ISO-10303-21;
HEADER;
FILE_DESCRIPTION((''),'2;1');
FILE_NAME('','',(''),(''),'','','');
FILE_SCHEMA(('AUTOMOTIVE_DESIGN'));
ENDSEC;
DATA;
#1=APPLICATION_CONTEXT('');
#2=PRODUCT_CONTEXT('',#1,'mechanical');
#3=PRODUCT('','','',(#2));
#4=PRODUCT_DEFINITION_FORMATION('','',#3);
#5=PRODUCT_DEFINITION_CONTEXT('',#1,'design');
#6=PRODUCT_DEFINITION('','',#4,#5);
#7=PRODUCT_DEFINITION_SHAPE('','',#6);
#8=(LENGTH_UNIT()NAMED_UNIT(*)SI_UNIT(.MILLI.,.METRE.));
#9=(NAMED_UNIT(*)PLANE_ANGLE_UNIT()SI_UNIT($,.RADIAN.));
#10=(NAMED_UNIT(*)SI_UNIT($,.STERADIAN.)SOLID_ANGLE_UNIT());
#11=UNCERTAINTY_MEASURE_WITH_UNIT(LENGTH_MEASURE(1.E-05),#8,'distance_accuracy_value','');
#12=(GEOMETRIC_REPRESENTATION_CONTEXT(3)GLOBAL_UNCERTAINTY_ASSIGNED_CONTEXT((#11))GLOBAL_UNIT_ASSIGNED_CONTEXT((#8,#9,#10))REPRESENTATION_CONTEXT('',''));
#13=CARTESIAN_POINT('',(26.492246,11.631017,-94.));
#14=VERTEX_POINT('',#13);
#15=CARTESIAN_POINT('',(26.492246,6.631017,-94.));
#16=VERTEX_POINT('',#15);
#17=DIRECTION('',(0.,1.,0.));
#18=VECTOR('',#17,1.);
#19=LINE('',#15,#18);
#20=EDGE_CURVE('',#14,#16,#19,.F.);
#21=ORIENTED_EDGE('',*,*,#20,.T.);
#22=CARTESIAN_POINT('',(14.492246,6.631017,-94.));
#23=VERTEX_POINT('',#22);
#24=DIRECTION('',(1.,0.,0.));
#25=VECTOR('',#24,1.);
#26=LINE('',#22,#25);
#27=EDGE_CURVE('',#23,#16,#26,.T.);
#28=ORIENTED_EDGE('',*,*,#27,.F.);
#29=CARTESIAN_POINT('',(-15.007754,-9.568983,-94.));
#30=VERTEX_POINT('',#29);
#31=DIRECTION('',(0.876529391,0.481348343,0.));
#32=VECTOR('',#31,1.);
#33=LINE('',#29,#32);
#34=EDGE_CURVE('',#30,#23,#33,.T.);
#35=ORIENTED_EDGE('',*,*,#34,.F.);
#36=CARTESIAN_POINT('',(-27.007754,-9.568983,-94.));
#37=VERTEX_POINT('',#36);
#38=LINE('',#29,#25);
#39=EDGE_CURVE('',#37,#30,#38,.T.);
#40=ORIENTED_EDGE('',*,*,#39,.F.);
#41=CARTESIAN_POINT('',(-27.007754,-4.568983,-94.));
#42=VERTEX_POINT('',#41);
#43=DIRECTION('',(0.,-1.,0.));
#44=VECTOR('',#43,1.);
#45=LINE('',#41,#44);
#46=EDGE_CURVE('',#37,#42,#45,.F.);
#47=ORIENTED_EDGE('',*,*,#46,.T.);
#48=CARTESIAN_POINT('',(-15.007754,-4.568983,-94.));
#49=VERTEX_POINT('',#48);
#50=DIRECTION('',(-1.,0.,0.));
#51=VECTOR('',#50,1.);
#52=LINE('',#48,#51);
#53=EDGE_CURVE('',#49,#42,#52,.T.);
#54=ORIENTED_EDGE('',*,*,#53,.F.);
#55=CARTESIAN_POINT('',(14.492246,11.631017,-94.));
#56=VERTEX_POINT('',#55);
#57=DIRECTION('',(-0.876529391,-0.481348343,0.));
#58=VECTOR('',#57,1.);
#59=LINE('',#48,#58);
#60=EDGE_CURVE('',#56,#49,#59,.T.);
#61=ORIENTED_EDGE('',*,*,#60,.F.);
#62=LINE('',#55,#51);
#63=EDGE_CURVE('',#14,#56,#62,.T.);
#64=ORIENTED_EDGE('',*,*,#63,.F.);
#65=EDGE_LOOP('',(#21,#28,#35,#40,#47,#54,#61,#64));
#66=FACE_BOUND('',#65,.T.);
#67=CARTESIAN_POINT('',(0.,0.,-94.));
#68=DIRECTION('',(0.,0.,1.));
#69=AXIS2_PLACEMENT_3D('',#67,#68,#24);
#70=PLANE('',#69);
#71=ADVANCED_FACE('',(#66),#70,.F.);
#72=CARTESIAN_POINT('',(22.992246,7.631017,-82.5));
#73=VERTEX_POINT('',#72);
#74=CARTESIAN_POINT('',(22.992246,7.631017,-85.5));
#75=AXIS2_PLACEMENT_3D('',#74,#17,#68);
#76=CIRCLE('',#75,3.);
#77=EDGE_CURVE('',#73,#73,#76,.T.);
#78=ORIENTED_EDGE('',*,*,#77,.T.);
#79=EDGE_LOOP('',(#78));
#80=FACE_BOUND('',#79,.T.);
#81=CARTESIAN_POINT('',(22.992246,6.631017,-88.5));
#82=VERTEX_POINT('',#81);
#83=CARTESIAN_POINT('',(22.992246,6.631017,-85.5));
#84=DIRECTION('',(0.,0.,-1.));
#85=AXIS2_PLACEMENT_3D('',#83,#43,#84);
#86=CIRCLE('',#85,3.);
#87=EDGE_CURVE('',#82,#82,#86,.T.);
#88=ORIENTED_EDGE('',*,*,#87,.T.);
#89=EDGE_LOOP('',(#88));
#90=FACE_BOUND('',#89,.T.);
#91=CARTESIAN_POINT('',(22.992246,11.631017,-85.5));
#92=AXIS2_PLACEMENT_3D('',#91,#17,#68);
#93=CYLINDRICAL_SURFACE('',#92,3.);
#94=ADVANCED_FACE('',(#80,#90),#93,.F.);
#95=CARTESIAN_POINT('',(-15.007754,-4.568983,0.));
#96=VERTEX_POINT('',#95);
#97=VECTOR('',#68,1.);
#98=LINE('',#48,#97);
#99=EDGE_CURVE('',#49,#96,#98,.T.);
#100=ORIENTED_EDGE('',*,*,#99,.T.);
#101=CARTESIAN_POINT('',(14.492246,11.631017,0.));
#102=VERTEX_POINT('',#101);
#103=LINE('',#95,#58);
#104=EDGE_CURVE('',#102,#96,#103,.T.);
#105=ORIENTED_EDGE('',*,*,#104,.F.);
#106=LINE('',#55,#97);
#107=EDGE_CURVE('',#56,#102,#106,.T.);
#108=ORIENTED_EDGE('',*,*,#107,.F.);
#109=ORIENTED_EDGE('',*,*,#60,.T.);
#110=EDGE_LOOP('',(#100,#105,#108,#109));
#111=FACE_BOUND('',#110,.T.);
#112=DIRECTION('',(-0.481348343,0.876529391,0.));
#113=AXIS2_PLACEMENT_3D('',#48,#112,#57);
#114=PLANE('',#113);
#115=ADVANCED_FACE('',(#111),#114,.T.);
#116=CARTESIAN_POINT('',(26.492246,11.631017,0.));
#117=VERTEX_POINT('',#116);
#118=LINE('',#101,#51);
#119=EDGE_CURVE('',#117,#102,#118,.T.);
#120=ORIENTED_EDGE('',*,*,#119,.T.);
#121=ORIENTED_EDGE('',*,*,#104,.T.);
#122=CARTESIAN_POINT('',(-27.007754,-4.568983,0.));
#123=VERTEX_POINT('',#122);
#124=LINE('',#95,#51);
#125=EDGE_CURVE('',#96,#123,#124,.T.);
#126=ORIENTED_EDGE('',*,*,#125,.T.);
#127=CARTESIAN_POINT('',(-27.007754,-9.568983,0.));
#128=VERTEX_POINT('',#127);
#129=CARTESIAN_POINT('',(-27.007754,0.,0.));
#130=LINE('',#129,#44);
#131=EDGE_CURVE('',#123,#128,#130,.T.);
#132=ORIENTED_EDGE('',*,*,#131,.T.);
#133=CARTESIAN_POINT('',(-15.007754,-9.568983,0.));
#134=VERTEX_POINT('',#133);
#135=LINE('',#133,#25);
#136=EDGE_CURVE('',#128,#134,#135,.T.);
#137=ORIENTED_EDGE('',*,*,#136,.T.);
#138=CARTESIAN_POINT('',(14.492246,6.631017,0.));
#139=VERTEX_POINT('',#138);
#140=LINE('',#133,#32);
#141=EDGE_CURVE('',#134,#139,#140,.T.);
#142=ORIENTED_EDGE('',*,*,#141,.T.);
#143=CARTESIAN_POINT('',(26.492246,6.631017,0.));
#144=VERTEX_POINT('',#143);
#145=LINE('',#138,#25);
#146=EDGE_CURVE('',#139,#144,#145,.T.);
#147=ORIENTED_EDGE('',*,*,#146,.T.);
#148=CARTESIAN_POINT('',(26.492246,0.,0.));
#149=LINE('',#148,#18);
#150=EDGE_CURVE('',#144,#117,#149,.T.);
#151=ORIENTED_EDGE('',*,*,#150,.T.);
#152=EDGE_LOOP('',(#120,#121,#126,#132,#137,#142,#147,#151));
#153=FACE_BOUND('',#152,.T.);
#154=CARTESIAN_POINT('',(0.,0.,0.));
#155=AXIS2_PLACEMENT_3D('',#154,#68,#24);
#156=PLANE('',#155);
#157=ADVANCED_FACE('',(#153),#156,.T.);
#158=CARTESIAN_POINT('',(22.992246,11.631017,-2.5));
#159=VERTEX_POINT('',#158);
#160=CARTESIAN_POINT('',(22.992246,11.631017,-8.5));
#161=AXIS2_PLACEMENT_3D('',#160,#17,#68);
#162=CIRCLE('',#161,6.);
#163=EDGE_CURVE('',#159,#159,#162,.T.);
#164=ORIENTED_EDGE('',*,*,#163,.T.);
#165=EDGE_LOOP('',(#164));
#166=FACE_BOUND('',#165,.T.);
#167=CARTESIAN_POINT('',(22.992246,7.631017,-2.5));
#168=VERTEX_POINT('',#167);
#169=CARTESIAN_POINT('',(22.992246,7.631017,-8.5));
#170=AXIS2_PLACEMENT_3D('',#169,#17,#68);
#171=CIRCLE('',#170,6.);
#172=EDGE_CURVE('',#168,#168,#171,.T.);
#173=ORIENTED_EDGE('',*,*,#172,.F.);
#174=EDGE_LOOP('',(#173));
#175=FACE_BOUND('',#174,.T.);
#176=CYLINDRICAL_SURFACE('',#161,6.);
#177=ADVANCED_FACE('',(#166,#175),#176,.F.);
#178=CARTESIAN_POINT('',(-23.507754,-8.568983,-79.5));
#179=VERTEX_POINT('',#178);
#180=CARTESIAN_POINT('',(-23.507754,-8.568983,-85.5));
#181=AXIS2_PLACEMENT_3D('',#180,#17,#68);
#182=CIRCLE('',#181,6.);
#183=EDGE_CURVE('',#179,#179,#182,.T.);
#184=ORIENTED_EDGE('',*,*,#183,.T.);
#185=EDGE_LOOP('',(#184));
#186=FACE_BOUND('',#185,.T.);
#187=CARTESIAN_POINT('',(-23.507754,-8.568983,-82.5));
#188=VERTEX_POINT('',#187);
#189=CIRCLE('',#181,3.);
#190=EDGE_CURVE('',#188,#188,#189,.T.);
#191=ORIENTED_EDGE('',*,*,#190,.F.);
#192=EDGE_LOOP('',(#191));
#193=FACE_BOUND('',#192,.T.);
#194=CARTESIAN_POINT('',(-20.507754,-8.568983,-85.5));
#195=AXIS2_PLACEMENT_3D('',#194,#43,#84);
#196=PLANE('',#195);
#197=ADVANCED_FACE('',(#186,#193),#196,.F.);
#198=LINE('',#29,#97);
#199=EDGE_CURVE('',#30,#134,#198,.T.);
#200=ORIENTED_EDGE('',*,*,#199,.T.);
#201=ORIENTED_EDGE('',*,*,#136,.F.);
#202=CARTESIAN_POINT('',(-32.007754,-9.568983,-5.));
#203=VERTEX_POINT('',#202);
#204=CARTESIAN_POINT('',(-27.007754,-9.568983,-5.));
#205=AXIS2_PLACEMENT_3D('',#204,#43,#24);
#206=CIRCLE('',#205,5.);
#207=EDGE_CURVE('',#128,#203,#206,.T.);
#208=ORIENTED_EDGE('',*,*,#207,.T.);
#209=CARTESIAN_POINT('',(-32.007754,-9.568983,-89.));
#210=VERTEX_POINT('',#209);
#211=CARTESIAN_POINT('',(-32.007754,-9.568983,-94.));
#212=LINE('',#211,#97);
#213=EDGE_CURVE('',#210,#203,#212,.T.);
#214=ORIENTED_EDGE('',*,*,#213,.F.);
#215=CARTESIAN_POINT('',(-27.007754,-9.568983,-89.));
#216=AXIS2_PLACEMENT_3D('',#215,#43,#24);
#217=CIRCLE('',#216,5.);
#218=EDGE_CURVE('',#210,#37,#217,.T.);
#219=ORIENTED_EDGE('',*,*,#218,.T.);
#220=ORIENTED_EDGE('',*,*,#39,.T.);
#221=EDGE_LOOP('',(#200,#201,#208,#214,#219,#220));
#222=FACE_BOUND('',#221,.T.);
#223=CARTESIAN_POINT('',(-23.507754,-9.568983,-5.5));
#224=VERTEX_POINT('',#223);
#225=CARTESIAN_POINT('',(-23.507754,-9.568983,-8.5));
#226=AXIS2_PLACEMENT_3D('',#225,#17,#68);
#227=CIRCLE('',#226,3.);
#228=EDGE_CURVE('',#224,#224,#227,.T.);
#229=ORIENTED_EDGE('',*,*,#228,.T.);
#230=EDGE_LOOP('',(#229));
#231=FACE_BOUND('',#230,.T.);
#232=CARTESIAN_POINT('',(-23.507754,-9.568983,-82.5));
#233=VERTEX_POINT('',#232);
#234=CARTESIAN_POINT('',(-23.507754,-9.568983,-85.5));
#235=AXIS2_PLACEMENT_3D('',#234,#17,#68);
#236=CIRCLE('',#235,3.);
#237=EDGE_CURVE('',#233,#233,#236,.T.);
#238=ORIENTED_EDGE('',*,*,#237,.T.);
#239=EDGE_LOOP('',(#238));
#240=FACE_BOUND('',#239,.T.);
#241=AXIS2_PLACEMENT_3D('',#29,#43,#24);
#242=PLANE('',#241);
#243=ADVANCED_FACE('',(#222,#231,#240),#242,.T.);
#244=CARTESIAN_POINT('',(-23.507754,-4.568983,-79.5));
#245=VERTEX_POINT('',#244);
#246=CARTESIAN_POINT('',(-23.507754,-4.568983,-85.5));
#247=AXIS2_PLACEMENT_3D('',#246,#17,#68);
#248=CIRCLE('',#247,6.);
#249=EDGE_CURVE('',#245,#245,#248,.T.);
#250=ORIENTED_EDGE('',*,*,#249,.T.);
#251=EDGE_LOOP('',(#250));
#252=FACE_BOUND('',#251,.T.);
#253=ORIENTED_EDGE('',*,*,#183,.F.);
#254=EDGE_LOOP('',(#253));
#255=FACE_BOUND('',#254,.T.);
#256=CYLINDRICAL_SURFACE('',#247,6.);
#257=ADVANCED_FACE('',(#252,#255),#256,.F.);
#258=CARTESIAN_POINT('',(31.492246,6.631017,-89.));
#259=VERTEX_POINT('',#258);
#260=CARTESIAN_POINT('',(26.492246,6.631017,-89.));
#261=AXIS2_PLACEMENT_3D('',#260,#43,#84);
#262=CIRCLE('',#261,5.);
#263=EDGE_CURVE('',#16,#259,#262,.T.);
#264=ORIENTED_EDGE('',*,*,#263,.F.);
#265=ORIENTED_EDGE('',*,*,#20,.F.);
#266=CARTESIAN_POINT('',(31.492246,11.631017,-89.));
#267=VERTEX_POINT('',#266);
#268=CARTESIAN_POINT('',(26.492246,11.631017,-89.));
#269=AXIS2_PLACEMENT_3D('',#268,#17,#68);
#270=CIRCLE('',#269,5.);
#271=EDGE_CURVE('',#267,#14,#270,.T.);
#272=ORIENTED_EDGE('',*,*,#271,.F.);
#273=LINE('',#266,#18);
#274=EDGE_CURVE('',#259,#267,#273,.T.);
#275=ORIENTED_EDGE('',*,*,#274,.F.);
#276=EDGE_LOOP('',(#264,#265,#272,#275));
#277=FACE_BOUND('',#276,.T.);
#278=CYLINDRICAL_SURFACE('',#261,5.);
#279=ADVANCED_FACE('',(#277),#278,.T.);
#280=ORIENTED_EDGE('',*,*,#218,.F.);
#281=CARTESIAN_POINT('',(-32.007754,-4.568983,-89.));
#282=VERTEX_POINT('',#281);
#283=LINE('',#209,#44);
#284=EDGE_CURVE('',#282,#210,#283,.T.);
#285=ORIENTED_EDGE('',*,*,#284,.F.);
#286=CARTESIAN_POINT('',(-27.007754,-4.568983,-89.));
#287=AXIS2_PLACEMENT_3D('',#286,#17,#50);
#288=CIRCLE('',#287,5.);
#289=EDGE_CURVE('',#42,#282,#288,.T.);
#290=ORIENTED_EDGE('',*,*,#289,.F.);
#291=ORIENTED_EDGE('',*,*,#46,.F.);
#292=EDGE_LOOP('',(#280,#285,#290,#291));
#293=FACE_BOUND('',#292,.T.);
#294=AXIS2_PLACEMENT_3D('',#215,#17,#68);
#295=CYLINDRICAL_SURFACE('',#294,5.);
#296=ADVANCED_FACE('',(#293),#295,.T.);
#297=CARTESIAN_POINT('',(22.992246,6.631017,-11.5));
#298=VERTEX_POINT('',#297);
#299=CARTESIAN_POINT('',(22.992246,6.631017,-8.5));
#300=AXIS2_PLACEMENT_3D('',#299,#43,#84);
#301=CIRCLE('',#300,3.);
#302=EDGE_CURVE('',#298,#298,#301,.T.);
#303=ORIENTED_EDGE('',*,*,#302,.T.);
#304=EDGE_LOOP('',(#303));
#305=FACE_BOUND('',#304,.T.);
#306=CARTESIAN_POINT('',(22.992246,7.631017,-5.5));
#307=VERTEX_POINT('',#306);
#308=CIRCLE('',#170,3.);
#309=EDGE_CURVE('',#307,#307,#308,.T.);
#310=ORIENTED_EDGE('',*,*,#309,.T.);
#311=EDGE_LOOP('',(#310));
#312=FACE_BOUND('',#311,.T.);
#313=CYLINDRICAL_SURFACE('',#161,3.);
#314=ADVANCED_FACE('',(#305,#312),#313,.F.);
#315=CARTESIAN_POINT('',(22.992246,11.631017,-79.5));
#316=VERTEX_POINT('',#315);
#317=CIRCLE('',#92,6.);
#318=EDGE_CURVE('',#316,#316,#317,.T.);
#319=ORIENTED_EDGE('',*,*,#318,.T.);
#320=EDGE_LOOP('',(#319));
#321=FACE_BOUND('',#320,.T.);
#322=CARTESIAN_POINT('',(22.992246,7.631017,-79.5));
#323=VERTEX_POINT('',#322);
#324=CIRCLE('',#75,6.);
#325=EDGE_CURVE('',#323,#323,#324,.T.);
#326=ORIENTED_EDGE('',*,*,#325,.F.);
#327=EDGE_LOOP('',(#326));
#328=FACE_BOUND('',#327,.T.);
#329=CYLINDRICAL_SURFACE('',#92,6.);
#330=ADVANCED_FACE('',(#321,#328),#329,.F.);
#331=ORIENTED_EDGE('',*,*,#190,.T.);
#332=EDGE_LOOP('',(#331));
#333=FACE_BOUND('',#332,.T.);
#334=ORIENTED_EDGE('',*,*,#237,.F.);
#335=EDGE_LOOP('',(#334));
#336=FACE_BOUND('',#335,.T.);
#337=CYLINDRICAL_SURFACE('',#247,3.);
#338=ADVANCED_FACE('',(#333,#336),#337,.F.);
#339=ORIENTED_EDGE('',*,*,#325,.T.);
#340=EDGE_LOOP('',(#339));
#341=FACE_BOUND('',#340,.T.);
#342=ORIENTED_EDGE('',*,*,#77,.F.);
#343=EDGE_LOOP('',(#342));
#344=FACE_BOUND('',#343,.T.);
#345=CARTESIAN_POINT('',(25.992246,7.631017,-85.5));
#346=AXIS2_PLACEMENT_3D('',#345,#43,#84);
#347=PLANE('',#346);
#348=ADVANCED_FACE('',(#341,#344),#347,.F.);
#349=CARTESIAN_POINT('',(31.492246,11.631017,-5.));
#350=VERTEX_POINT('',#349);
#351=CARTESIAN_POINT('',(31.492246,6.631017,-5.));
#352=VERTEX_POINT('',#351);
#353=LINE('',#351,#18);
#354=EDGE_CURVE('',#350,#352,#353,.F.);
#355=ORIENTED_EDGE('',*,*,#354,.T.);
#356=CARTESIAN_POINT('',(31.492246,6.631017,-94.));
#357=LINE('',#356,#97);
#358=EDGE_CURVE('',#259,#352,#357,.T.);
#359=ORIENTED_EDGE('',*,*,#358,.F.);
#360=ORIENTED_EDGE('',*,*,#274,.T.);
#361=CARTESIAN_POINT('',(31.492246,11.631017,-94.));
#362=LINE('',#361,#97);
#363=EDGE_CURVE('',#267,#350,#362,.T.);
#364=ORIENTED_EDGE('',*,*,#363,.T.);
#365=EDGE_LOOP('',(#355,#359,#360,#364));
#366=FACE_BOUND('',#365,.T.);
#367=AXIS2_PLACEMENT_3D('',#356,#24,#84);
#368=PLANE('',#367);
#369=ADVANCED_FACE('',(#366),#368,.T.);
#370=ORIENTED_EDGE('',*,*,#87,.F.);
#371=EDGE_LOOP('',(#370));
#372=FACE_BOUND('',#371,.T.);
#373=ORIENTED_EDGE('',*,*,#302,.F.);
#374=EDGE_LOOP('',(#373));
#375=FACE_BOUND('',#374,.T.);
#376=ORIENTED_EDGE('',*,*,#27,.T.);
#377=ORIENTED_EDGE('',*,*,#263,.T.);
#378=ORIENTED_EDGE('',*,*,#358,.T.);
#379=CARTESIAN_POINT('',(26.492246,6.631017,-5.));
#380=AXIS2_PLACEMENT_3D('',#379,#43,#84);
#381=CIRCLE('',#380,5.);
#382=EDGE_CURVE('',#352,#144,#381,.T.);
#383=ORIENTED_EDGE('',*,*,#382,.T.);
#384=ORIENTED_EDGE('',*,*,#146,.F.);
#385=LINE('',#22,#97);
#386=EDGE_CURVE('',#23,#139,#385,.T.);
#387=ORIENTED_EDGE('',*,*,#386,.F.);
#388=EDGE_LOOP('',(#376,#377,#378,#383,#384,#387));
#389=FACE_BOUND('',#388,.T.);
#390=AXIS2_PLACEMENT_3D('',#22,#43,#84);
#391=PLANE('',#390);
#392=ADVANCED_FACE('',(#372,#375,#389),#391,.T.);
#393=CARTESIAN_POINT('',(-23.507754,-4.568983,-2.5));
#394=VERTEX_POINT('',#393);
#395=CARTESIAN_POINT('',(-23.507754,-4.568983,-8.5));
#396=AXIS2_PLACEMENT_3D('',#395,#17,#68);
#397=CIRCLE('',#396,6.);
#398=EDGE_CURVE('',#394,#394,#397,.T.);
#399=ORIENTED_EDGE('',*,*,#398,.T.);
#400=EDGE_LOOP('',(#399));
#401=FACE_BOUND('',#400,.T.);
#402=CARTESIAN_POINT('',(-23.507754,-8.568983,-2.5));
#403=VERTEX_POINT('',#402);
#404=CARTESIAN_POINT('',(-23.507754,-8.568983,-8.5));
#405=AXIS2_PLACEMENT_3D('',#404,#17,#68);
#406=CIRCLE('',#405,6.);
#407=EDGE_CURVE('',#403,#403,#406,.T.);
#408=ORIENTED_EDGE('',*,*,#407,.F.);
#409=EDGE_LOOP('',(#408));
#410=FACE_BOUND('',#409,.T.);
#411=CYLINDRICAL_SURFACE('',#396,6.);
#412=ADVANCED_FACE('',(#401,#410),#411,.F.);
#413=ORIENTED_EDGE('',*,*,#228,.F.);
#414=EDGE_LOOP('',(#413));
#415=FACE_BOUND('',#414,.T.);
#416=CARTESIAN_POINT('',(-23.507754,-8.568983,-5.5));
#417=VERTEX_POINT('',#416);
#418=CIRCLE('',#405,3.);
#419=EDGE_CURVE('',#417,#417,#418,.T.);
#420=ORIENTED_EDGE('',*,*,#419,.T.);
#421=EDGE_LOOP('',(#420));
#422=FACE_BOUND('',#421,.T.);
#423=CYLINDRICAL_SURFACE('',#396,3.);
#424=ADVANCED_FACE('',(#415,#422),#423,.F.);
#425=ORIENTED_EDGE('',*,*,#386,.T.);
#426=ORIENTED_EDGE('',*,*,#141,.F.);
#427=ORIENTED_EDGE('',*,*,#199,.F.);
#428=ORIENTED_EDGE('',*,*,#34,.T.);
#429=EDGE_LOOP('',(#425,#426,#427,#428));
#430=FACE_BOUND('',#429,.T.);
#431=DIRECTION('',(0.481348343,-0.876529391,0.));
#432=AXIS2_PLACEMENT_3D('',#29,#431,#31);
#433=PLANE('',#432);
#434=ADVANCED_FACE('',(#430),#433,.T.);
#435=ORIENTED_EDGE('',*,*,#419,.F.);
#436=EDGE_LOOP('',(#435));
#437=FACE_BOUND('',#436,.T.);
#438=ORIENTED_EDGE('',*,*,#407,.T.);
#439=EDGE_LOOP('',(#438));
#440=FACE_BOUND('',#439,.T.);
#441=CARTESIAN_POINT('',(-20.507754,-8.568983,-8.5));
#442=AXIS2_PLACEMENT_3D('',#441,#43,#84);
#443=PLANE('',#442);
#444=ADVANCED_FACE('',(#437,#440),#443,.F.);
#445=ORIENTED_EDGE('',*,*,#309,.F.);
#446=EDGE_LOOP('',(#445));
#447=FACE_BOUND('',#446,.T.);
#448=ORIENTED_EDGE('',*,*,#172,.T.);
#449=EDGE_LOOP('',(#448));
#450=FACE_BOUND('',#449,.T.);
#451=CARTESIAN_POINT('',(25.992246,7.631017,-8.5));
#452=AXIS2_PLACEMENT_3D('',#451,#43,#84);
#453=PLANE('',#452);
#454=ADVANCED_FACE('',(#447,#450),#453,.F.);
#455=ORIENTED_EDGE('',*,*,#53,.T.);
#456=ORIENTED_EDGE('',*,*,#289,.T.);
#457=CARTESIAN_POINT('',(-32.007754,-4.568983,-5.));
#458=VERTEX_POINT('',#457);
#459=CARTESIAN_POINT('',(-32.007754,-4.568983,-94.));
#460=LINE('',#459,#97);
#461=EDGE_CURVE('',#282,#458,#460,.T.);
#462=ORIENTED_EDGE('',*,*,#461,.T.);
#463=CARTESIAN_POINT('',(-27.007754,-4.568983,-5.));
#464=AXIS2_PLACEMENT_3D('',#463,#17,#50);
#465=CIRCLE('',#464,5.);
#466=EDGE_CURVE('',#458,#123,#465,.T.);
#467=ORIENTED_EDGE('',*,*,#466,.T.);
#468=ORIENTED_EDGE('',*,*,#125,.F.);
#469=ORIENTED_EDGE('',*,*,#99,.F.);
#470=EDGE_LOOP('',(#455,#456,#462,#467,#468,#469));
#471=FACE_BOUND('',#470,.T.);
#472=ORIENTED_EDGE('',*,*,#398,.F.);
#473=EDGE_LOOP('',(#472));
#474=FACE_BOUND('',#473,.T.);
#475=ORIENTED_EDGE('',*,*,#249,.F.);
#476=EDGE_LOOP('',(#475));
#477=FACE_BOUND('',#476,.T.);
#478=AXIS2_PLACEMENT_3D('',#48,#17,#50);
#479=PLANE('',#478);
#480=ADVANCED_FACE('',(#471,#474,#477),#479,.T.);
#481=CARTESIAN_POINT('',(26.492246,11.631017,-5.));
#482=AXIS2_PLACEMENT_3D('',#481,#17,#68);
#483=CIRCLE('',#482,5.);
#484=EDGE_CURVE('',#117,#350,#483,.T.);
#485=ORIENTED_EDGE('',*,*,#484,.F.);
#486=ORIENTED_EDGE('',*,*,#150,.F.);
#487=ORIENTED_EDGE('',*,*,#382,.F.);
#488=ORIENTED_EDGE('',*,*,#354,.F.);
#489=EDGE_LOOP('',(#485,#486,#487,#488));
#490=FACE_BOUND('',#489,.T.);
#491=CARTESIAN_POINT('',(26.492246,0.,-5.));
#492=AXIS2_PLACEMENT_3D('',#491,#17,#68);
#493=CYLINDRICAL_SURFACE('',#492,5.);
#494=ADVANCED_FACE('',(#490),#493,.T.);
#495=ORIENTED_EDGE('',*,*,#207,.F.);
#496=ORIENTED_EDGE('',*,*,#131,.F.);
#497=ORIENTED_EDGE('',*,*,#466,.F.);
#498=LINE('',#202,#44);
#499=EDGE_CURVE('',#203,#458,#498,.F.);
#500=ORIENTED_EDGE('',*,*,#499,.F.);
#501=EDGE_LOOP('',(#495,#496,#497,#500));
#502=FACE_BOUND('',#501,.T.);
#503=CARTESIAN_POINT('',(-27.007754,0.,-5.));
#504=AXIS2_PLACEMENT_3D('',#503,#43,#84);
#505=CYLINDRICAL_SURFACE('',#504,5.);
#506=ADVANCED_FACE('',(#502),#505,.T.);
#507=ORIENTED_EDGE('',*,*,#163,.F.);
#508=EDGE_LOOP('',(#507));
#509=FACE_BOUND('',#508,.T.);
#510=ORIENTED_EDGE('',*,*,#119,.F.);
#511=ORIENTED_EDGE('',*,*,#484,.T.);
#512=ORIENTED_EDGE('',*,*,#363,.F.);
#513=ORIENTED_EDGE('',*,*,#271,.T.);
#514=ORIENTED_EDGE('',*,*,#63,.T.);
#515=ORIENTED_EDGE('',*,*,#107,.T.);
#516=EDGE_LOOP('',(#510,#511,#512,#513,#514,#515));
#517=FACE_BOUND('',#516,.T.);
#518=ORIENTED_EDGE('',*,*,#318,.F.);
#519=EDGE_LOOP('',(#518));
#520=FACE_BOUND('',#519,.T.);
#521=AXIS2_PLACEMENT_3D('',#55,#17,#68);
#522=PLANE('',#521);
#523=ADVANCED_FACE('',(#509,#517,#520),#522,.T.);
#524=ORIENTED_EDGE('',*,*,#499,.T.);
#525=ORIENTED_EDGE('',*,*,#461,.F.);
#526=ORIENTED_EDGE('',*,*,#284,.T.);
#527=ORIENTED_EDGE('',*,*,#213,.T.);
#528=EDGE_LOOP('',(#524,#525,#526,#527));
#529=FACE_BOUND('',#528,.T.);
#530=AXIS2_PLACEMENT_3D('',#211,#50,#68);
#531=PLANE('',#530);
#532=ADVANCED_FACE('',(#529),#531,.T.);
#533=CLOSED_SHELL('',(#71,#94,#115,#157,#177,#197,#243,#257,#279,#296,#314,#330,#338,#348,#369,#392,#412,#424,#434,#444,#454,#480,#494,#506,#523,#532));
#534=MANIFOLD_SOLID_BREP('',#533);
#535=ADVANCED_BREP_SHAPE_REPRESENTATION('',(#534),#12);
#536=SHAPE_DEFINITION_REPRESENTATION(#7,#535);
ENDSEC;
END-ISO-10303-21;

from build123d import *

# Parameters (mm, degrees)
COVER_BODY_DEPTH                        = 94
CBORE_FOR_M6_HEX_HEAD_BOLT1_D           = 6
CBORE_FOR_M6_HEX_HEAD_BOLT1_CBORE_D     = 12
CBORE_FOR_M6_HEX_HEAD_BOLT1_CBORE_DEPTH = 4
CBORE_FOR_M6_HEX_HEAD_BOLT2_D           = 6
CBORE_FOR_M6_HEX_HEAD_BOLT2_CBORE_D     = 12
CBORE_FOR_M6_HEX_HEAD_BOLT2_CBORE_DEPTH = 4
FILLET1_R                               = 5


with BuildPart() as part:
    # Sketch1 → Cover Body (new body)
    with BuildSketch(Plane.XY):
        Polygon((-15.007754177, -4.568983292), (14.492245823, 11.631016708), (31.492245823, 11.631016708), (31.492245823, 6.631016708), (14.492245823, 6.631016708), (-15.007754177, -9.568983292), (-32.007754177, -9.568983292), (-32.007754177, -4.568983292), align=None)
    extrude(amount=-COVER_BODY_DEPTH)

    # CBORE for M6 Hex Head Bolt1 (through all)
    with Locations(Plane(origin=(0, -4.568983292, 0), x_dir=(1, 0, 0), z_dir=(0, 1, 0))):
        with Locations((-23.507754177, 85.5), (-23.507754177, 8.5)):
            CounterBoreHole(CBORE_FOR_M6_HEX_HEAD_BOLT1_D / 2, CBORE_FOR_M6_HEX_HEAD_BOLT1_CBORE_D / 2, CBORE_FOR_M6_HEX_HEAD_BOLT1_CBORE_DEPTH)

    # CBORE for M6 Hex Head Bolt2 (through all)
    with Locations(Plane(origin=(0, 11.631016708, 0), x_dir=(1, 0, 0), z_dir=(0, 1, 0))):
        with Locations((22.992245823, 8.5), (22.992245823, 85.5)):
            CounterBoreHole(CBORE_FOR_M6_HEX_HEAD_BOLT2_D / 2, CBORE_FOR_M6_HEX_HEAD_BOLT2_CBORE_D / 2, CBORE_FOR_M6_HEX_HEAD_BOLT2_CBORE_DEPTH)

    # Fillet1
    fillet1_edges = [part.edges().sort_by_distance(p)[0] for p in [
        (31.492245823, 9.131016708, 0),
        (31.492245823, 9.131016708, -94),
        (-32.007754177, -7.068983292, -94),
        (-32.007754177, -7.068983292, 0),
    ]]
    fillet(fillet1_edges, radius=FILLET1_R)


solid = part.part
